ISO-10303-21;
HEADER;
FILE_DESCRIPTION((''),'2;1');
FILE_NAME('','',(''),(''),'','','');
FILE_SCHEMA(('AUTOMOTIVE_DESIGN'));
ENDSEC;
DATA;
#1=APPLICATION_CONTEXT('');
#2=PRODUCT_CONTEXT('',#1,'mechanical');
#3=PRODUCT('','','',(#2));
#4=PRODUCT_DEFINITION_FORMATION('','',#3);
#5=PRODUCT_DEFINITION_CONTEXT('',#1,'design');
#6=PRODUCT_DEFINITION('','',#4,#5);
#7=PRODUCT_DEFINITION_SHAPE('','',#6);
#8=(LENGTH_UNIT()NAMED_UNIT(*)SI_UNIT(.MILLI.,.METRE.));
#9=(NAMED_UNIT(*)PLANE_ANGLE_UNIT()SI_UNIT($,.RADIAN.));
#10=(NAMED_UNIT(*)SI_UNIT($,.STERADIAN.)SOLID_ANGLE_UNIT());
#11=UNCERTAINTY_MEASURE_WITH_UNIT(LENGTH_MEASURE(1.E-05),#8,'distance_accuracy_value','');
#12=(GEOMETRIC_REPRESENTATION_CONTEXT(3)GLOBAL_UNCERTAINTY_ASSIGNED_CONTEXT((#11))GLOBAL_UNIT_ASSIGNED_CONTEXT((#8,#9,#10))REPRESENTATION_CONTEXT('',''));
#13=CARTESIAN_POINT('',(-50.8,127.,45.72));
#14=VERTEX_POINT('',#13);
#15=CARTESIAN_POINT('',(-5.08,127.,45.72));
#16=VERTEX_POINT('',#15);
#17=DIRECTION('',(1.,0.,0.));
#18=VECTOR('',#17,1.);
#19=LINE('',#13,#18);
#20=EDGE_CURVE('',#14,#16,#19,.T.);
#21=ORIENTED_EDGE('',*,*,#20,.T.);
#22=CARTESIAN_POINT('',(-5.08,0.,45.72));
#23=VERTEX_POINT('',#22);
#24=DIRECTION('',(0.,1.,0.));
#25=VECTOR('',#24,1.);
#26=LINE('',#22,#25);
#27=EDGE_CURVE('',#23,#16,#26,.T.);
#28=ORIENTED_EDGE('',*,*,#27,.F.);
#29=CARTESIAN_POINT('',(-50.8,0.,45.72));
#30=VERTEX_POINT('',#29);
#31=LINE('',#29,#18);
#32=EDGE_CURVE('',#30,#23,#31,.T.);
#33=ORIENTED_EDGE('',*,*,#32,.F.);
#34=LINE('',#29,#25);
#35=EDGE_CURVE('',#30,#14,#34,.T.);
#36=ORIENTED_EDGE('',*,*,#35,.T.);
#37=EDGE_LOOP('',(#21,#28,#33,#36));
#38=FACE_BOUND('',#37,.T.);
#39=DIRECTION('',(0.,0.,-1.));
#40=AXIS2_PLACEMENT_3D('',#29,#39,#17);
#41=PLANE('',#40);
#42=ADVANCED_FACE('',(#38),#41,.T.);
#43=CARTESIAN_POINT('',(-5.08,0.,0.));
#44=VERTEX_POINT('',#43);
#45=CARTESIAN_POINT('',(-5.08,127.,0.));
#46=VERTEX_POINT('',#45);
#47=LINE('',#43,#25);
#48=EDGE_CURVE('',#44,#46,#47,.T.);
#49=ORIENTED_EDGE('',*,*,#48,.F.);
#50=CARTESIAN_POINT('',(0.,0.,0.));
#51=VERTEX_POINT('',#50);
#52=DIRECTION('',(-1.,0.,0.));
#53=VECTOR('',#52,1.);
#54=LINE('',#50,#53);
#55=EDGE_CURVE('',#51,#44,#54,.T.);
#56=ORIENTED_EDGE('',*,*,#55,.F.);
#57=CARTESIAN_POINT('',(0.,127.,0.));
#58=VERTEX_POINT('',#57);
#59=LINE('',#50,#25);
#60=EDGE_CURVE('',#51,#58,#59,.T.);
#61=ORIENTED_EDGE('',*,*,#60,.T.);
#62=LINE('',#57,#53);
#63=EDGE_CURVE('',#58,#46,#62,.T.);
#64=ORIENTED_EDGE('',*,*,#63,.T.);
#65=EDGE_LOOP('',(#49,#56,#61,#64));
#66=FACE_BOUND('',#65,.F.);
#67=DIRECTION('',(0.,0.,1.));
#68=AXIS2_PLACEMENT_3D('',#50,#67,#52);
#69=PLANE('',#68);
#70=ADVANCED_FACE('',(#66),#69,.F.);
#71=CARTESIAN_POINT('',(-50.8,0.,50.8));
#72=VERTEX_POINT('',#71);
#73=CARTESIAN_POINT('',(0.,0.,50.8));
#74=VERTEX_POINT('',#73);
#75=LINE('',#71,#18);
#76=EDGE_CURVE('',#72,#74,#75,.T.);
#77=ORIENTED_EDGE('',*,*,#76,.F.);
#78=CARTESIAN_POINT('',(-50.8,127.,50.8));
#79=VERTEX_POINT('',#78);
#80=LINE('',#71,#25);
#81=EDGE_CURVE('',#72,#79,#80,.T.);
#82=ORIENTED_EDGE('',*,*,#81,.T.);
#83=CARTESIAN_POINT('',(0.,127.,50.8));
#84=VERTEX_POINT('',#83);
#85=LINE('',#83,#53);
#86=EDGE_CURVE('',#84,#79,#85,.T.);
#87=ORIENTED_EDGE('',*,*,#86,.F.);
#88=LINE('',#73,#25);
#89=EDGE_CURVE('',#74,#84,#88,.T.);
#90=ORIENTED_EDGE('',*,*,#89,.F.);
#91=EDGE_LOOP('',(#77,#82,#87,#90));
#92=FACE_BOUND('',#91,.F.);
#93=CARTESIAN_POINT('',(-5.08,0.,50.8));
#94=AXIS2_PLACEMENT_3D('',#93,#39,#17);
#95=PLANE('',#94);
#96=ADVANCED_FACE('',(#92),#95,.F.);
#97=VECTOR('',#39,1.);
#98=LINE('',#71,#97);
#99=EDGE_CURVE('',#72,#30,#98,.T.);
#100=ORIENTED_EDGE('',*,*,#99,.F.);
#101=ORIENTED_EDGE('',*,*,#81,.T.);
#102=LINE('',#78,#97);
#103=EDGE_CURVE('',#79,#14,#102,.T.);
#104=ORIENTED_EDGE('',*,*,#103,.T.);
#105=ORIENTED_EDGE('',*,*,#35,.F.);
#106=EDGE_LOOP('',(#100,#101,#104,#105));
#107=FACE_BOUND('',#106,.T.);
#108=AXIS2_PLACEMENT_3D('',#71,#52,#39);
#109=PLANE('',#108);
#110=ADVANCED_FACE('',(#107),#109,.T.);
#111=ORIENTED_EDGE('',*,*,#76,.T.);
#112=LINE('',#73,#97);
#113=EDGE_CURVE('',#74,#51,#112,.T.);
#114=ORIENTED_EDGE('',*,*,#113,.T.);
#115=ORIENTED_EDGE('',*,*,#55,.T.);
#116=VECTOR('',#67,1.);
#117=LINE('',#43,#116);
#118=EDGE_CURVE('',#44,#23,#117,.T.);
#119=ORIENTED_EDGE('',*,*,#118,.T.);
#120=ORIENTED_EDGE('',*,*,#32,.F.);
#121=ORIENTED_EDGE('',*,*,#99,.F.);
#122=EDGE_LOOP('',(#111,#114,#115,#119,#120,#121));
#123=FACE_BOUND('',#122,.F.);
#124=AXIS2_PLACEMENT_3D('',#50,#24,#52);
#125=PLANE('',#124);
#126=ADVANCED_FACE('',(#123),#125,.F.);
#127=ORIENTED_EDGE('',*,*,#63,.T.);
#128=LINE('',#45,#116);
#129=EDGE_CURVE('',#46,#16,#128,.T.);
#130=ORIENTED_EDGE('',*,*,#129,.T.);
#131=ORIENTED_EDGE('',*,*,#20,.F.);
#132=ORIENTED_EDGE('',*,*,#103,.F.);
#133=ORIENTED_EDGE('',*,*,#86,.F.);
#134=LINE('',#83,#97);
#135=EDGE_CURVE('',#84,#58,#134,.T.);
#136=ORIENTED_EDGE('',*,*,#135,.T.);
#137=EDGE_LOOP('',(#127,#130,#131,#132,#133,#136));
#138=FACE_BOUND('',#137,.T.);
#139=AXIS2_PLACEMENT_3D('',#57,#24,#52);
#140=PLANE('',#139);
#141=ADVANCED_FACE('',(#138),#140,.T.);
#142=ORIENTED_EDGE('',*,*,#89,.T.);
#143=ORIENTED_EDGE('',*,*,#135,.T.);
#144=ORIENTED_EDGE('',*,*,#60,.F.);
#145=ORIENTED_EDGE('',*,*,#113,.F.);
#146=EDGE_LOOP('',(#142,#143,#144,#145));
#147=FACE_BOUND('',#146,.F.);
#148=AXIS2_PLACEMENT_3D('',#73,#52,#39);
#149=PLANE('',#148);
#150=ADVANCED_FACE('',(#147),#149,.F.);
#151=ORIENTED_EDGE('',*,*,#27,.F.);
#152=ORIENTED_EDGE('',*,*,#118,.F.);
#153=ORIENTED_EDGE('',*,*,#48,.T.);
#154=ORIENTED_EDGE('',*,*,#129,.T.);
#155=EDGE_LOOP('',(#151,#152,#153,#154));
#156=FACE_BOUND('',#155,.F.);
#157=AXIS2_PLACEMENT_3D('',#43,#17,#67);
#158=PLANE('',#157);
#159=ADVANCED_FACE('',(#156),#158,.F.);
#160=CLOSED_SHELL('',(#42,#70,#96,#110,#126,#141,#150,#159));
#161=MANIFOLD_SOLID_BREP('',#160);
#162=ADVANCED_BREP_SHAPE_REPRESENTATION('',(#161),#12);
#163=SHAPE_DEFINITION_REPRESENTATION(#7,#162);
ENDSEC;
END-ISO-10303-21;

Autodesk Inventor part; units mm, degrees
ref_plane "YZ Plane" through (0, 0, 0) normal (1, 0, 0) x (0, 1, 0)
ref_plane "XZ Plane" through (0, 0, 0) normal (0, 1, 0) x (-1, 0, 0)
ref_plane "XY Plane" through (0, 0, 0) normal (0, 0, 1) x (1, 0, 0)
sketch "Sketch1" plane through (0, 0, 0) normal (0, 1, 0) x (-1, 0, 0)
  line L0 (0, 0) -> (5.08, 0)
  line L1 (5.08, 0) -> (5.08, 50.8)
  line L2 (5.08, 50.8) -> (0, 50.8)
  line L3 (0, 50.8) -> (0, 0)
  line L4 (5.08, 50.8) -> (50.8, 50.8)
  line L5 (50.8, 50.8) -> (50.8, 45.72)
  line L6 (50.8, 45.72) -> (5.08, 45.72)
  line L7 (5.08, 45.72) -> (5.08, 50.8)
  point P0 (5.08, 45.72)
  dimension "d5" = 50.8
  dimension "d6" = 5.08
  dimension "d7" = 5.08
  dimension "d8" = 50.8
extrude "Extrusion1" add sketch "Sketch1" along normal blind 127
properties part number "Flower Box Stack Half"
